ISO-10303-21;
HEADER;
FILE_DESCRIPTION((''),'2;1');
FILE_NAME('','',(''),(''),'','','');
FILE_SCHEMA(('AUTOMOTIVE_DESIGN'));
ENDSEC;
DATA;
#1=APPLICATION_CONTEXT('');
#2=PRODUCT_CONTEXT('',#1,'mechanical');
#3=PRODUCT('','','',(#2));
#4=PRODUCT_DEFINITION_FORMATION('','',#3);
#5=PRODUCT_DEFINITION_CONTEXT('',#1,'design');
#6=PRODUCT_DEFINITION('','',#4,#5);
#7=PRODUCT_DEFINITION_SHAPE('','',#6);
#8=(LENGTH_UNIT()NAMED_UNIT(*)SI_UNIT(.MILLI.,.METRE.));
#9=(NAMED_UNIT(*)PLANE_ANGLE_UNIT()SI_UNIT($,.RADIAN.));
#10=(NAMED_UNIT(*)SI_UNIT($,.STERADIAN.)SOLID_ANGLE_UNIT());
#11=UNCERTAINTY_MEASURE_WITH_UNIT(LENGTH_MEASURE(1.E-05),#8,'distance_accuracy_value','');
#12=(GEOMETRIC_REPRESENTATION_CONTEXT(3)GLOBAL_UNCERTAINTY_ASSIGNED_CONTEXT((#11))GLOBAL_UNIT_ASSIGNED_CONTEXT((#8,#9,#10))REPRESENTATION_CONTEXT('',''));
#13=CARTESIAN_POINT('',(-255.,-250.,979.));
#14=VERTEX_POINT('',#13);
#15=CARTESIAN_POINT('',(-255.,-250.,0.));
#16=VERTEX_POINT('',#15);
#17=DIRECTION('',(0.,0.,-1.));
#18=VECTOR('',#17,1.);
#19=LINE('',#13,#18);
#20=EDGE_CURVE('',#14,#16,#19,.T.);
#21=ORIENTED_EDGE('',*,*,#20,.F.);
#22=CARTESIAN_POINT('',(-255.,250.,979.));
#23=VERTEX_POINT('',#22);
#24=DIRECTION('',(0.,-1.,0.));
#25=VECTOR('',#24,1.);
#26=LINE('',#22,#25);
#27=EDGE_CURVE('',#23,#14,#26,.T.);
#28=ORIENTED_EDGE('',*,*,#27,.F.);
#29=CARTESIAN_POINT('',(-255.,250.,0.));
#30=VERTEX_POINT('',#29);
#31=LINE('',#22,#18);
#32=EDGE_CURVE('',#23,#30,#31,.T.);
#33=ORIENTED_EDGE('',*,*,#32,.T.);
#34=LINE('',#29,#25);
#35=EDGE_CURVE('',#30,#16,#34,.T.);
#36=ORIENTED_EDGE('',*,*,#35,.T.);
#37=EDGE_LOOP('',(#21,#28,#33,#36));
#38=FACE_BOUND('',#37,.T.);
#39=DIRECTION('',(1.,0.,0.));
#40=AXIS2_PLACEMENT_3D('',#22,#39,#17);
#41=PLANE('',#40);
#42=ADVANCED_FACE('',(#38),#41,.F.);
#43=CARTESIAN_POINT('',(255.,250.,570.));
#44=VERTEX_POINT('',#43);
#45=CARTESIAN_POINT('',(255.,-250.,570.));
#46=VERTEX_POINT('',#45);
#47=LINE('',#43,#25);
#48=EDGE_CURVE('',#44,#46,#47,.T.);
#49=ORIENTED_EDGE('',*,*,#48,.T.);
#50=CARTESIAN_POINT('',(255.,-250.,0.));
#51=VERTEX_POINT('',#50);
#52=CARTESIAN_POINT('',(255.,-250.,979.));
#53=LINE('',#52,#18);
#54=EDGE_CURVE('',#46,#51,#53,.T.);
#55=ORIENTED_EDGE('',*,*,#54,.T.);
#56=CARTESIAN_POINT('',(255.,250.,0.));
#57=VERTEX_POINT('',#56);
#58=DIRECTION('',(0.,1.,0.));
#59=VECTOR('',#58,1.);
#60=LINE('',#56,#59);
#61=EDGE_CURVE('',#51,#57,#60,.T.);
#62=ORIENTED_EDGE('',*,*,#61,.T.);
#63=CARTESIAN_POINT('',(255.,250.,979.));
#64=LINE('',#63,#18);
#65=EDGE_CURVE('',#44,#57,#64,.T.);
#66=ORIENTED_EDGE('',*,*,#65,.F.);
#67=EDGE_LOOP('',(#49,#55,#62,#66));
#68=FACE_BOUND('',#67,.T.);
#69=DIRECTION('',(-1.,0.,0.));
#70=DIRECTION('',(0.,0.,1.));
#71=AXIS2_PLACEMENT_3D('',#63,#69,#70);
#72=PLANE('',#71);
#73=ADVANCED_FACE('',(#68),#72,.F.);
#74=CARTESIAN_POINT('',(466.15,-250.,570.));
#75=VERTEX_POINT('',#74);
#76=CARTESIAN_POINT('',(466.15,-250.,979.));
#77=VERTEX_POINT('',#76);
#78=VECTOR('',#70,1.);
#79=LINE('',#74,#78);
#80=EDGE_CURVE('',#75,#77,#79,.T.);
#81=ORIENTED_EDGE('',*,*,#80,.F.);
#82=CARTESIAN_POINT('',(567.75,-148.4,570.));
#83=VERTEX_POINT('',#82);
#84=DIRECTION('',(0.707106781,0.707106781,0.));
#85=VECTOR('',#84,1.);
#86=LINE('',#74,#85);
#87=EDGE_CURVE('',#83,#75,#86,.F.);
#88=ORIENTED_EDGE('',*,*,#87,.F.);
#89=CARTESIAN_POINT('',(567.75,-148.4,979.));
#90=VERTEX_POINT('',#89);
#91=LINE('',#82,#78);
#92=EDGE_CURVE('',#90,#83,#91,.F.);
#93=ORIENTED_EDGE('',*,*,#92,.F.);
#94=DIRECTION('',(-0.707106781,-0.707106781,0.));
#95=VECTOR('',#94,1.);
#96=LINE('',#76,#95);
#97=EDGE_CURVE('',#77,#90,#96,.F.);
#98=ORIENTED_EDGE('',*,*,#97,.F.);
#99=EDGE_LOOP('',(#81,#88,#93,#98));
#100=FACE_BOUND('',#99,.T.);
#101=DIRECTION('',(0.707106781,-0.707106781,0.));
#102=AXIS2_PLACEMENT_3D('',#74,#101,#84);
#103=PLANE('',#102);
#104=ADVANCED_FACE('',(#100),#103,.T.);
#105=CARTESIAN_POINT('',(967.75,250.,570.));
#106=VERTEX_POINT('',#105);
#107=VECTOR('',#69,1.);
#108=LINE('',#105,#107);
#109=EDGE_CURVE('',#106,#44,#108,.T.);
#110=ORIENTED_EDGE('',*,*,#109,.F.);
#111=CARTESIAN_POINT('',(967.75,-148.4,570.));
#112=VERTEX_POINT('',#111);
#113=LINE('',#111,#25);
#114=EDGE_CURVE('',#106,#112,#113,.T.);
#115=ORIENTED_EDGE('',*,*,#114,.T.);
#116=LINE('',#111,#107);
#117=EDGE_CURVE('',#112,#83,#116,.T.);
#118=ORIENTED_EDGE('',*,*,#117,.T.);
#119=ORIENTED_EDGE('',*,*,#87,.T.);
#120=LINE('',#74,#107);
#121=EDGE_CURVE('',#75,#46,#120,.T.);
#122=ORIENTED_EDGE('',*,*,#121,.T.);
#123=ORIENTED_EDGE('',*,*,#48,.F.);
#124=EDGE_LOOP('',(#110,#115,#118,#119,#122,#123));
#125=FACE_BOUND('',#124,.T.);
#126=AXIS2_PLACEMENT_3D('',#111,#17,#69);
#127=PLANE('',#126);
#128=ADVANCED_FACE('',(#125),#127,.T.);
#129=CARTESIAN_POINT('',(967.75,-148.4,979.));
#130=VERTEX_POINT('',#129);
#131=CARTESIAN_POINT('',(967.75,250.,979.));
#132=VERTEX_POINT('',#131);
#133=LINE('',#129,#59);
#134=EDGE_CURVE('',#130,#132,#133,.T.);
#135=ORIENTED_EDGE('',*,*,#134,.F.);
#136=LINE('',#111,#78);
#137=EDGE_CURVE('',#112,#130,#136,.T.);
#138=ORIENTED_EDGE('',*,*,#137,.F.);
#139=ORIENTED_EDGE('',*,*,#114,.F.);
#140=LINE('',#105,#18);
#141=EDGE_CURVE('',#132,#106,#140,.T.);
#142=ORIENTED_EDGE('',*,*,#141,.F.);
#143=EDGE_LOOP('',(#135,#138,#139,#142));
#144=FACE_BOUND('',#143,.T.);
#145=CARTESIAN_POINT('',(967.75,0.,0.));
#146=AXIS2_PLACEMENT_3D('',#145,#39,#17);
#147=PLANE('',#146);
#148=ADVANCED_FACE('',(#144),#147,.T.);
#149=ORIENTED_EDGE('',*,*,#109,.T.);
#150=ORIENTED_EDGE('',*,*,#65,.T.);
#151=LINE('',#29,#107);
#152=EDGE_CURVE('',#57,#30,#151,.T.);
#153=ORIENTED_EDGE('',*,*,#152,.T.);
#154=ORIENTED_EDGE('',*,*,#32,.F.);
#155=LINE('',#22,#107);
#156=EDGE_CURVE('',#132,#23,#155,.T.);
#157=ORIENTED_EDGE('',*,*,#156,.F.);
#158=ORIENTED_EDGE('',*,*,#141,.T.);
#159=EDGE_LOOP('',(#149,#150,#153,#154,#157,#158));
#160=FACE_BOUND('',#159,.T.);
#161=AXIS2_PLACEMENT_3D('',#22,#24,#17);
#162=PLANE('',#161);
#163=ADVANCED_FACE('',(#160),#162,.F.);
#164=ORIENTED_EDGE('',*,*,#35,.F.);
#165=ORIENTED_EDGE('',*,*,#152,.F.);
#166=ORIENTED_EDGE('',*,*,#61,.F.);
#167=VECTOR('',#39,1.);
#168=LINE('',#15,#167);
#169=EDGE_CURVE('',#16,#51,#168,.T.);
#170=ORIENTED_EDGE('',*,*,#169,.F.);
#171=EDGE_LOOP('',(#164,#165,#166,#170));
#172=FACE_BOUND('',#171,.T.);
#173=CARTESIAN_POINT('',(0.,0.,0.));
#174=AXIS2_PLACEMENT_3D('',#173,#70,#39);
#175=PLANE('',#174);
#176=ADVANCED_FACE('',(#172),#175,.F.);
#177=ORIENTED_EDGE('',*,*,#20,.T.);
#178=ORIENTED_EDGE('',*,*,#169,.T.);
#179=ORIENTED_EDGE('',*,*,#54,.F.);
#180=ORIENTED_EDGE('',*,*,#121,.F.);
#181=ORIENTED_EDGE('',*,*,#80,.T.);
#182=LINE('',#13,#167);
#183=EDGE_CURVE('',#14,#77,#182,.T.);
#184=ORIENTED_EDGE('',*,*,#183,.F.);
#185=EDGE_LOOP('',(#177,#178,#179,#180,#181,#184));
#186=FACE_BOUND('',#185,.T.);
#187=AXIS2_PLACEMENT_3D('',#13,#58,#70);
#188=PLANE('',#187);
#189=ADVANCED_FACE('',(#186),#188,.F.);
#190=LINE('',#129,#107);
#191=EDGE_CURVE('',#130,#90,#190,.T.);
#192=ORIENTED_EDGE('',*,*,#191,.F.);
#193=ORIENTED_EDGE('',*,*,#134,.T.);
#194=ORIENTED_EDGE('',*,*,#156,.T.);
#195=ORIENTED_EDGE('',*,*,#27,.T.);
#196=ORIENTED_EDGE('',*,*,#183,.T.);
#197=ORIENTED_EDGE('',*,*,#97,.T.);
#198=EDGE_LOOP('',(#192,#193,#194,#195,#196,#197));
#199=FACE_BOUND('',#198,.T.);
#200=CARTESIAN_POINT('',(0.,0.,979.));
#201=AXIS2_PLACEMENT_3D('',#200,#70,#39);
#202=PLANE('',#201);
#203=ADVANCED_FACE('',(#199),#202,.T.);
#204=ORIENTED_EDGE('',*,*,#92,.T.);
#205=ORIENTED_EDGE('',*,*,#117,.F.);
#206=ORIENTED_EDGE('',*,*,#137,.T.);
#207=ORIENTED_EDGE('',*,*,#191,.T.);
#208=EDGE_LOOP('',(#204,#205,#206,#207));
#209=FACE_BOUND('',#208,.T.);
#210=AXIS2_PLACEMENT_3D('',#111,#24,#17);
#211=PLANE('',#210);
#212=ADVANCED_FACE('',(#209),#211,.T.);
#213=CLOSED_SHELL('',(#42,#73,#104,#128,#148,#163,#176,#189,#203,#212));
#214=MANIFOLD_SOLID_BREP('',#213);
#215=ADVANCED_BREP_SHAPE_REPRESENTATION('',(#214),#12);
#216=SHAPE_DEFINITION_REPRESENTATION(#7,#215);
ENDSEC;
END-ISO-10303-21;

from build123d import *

# Parameters (mm, degrees)
SKIZZE7_W                       = 510
SKIZZE7_H                       = 500
AUFSATZ_LINEAR_AUSTRAGEN1_DEPTH = 979
SKIZZE8_W                       = 409
SKIZZE8_H                       = 398.4
AUFSATZ_LINEAR_AUSTRAGEN2_DEPTH = 1222.75
SKIZZE9_W                       = 409
SKIZZE9_H                       = 500
AUFSATZ_LINEAR_AUSTRAGEN3_DEPTH = 721.15
FORMSCHR_GE1_ANGLE              = 45


with BuildPart() as part:
    # Skizze7 → Aufsatz-Linear austragen1 (new body)
    with BuildSketch(Plane.XY):
        Rectangle(SKIZZE7_W, SKIZZE7_H)
    extrude(amount=AUFSATZ_LINEAR_AUSTRAGEN1_DEPTH)

    # Skizze8 → Aufsatz-Linear austragen2 (add)
    with BuildSketch(Plane.ZY.offset(255)):
        with Locations((774.5, 50.8)):
            Rectangle(SKIZZE8_W, SKIZZE8_H)
    extrude(amount=-AUFSATZ_LINEAR_AUSTRAGEN2_DEPTH)

    # Skizze9 → Aufsatz-Linear austragen3 (add)
    with BuildSketch(Plane.ZY.offset(255)):
        with Locations((774.5, 0)):
            Rectangle(SKIZZE9_W, SKIZZE9_H)
    extrude(amount=-AUFSATZ_LINEAR_AUSTRAGEN3_DEPTH)

    # Formschräge1
    formschr_ge1_faces = [part.faces().sort_by_distance(p)[0] for p in [
        (466.15, -199.2, 774.5),
    ]]
    draft(formschr_ge1_faces, Plane(origin=(-255, -250, 979), x_dir=(0, 0, -1), z_dir=(0, -1, 0)), FORMSCHR_GE1_ANGLE)


solid = part.part
